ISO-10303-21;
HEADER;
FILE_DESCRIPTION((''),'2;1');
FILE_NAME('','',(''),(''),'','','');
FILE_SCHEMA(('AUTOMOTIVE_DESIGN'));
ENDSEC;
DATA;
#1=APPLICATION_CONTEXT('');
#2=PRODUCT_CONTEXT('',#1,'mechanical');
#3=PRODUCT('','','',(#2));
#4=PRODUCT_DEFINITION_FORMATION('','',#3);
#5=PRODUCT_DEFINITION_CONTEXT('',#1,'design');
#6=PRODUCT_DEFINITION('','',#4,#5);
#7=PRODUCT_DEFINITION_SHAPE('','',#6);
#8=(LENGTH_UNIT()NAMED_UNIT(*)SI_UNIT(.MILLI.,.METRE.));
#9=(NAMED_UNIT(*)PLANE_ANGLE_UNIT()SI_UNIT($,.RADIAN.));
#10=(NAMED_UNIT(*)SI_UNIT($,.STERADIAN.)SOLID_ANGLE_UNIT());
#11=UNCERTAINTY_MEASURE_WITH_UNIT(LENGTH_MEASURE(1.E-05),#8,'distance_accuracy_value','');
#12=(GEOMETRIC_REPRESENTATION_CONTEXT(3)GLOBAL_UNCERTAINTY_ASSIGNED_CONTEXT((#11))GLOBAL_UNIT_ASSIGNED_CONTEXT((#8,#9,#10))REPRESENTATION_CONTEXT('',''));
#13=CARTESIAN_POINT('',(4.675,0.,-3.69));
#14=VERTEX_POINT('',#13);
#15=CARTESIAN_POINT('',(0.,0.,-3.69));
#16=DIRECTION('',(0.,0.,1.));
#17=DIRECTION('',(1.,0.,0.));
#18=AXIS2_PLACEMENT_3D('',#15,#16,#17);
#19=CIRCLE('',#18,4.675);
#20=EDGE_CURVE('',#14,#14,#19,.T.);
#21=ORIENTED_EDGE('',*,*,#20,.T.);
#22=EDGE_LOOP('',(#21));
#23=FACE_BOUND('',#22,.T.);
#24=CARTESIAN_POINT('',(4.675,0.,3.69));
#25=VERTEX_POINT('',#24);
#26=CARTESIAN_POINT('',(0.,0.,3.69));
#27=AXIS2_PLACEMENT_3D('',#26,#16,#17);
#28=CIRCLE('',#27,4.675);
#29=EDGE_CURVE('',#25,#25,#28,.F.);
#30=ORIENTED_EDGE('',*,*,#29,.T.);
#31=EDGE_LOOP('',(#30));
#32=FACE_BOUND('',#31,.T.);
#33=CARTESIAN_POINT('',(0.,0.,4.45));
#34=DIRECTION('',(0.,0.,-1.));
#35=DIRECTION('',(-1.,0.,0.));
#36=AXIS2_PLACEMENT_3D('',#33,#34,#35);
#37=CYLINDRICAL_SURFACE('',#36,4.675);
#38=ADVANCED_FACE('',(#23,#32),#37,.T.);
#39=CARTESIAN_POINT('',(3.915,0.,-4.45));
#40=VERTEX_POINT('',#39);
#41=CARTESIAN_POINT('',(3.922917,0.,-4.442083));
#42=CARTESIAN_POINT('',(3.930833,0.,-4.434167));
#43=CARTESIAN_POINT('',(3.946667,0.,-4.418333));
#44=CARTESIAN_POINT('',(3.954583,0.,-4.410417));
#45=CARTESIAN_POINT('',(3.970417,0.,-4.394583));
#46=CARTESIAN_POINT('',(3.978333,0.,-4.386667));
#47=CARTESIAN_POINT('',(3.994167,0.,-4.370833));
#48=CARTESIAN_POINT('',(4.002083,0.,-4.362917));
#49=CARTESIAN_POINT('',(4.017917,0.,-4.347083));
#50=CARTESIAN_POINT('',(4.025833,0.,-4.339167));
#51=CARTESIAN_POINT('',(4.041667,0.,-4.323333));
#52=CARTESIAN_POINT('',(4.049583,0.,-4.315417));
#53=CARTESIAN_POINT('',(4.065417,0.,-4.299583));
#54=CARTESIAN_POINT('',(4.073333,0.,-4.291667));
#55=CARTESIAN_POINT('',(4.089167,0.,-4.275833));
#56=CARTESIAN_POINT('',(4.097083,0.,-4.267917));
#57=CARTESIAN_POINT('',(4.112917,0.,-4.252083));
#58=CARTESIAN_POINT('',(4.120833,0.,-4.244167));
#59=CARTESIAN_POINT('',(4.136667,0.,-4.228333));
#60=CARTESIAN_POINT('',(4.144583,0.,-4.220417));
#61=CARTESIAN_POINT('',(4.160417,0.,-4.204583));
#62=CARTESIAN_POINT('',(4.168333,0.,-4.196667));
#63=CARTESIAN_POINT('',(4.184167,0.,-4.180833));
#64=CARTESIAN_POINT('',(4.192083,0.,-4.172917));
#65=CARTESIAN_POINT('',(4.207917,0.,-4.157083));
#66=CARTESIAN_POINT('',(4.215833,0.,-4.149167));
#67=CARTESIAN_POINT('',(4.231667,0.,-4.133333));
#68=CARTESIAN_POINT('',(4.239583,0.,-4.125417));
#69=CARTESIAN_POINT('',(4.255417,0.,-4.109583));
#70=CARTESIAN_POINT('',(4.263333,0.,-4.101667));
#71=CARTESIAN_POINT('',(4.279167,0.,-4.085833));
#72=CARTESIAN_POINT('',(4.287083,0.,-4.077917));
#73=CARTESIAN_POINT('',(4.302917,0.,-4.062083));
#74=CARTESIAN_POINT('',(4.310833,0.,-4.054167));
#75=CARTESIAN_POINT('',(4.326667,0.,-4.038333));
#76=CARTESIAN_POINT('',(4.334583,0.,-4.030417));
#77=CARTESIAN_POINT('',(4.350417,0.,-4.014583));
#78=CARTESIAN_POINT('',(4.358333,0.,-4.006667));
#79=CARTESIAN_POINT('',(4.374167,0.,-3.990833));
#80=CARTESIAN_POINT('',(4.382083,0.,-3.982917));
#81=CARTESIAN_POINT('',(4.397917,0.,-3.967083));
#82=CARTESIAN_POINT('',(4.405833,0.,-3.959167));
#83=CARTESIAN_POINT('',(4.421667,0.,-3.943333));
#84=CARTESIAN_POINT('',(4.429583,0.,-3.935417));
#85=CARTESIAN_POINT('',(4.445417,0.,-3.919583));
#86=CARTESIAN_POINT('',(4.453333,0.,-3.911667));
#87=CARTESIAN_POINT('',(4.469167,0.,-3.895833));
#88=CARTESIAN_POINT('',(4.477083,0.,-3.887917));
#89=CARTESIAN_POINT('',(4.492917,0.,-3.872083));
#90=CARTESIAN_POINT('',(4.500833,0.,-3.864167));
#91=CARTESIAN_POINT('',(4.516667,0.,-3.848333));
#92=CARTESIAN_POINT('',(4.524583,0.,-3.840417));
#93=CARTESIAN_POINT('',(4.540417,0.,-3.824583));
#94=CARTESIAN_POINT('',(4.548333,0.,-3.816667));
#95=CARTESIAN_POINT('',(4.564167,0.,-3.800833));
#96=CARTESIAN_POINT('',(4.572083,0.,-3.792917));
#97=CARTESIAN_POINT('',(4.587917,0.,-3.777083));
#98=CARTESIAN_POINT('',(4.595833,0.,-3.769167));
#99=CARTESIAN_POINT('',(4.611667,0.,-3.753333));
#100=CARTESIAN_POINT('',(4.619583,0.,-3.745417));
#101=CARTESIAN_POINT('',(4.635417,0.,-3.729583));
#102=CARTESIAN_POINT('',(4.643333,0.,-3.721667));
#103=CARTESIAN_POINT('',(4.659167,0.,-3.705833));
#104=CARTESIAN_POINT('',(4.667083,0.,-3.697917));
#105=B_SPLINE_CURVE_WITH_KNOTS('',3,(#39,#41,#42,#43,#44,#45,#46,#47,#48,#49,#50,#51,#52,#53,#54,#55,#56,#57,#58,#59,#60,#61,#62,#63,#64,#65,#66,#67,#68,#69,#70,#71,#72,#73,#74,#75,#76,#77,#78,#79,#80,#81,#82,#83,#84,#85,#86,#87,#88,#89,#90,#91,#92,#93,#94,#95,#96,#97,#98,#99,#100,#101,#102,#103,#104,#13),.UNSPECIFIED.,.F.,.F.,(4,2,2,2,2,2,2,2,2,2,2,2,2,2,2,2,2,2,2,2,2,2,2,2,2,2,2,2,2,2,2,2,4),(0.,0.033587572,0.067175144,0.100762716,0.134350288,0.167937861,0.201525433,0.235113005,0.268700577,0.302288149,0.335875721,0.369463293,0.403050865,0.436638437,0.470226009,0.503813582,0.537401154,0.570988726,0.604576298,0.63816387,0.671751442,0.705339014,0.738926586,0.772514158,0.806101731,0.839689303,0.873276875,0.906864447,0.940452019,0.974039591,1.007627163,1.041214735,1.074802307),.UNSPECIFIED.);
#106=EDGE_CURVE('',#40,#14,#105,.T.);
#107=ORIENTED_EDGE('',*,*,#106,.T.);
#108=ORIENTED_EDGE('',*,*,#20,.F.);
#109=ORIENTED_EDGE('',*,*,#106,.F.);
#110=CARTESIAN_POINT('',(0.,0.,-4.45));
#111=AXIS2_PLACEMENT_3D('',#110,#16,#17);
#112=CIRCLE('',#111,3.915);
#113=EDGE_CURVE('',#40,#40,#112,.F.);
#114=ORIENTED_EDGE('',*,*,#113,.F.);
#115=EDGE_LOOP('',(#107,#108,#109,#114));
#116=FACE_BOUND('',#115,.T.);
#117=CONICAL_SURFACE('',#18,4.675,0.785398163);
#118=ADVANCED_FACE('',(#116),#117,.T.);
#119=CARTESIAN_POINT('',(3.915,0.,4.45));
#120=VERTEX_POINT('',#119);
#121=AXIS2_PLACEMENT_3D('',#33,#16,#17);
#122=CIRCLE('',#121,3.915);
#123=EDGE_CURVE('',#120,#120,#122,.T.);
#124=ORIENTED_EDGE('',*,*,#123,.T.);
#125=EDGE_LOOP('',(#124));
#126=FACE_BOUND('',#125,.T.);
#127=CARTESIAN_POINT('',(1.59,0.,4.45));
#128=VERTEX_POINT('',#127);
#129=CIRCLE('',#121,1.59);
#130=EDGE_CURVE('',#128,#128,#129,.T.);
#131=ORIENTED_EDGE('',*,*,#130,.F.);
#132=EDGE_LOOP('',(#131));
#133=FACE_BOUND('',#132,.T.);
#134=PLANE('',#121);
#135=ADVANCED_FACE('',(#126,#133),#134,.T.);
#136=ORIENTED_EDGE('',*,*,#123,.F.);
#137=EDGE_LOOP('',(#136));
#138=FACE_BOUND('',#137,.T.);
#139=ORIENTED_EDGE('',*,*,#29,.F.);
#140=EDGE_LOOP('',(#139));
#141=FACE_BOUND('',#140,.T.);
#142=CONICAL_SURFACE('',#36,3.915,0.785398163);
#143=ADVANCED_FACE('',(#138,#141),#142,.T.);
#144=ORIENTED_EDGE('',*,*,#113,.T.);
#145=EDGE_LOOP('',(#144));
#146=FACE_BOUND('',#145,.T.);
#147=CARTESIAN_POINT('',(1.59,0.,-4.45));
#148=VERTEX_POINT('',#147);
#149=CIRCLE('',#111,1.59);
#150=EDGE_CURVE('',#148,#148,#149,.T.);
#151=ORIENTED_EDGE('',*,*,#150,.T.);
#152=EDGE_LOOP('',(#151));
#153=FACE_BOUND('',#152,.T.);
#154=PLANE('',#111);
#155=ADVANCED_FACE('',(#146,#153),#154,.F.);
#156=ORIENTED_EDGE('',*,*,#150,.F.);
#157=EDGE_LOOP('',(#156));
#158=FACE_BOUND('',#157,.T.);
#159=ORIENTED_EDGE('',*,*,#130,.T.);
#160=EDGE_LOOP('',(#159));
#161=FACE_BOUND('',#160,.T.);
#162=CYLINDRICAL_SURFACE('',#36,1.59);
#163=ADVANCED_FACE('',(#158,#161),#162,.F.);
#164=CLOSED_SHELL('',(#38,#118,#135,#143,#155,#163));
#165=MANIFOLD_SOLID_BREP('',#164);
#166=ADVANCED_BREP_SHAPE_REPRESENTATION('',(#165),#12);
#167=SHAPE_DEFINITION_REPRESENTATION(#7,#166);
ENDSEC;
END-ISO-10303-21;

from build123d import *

# Parameters (mm, degrees)
SKETCH1_R           = 4.675
SKETCH1_R_2         = 1.59
BOSS_EXTRUDE1_DEPTH = 4.45
CHAMFER1_SIZE       = 0.76


with BuildPart() as part:
    # Sketch1 → Boss-Extrude1 (new, symmetric)
    with BuildSketch(Plane.XY):
        Circle(SKETCH1_R)
        Circle(SKETCH1_R_2, mode=Mode.SUBTRACT)
    extrude(amount=BOSS_EXTRUDE1_DEPTH, both=True)

    # Chamfer1
    chamfer1_edges = [part.edges().sort_by_distance(p)[0] for p in [
        (-4.675, 0, -4.45),
        (-4.675, 0, 4.45),
    ]]
    chamfer(chamfer1_edges, length=CHAMFER1_SIZE)


solid = part.part
